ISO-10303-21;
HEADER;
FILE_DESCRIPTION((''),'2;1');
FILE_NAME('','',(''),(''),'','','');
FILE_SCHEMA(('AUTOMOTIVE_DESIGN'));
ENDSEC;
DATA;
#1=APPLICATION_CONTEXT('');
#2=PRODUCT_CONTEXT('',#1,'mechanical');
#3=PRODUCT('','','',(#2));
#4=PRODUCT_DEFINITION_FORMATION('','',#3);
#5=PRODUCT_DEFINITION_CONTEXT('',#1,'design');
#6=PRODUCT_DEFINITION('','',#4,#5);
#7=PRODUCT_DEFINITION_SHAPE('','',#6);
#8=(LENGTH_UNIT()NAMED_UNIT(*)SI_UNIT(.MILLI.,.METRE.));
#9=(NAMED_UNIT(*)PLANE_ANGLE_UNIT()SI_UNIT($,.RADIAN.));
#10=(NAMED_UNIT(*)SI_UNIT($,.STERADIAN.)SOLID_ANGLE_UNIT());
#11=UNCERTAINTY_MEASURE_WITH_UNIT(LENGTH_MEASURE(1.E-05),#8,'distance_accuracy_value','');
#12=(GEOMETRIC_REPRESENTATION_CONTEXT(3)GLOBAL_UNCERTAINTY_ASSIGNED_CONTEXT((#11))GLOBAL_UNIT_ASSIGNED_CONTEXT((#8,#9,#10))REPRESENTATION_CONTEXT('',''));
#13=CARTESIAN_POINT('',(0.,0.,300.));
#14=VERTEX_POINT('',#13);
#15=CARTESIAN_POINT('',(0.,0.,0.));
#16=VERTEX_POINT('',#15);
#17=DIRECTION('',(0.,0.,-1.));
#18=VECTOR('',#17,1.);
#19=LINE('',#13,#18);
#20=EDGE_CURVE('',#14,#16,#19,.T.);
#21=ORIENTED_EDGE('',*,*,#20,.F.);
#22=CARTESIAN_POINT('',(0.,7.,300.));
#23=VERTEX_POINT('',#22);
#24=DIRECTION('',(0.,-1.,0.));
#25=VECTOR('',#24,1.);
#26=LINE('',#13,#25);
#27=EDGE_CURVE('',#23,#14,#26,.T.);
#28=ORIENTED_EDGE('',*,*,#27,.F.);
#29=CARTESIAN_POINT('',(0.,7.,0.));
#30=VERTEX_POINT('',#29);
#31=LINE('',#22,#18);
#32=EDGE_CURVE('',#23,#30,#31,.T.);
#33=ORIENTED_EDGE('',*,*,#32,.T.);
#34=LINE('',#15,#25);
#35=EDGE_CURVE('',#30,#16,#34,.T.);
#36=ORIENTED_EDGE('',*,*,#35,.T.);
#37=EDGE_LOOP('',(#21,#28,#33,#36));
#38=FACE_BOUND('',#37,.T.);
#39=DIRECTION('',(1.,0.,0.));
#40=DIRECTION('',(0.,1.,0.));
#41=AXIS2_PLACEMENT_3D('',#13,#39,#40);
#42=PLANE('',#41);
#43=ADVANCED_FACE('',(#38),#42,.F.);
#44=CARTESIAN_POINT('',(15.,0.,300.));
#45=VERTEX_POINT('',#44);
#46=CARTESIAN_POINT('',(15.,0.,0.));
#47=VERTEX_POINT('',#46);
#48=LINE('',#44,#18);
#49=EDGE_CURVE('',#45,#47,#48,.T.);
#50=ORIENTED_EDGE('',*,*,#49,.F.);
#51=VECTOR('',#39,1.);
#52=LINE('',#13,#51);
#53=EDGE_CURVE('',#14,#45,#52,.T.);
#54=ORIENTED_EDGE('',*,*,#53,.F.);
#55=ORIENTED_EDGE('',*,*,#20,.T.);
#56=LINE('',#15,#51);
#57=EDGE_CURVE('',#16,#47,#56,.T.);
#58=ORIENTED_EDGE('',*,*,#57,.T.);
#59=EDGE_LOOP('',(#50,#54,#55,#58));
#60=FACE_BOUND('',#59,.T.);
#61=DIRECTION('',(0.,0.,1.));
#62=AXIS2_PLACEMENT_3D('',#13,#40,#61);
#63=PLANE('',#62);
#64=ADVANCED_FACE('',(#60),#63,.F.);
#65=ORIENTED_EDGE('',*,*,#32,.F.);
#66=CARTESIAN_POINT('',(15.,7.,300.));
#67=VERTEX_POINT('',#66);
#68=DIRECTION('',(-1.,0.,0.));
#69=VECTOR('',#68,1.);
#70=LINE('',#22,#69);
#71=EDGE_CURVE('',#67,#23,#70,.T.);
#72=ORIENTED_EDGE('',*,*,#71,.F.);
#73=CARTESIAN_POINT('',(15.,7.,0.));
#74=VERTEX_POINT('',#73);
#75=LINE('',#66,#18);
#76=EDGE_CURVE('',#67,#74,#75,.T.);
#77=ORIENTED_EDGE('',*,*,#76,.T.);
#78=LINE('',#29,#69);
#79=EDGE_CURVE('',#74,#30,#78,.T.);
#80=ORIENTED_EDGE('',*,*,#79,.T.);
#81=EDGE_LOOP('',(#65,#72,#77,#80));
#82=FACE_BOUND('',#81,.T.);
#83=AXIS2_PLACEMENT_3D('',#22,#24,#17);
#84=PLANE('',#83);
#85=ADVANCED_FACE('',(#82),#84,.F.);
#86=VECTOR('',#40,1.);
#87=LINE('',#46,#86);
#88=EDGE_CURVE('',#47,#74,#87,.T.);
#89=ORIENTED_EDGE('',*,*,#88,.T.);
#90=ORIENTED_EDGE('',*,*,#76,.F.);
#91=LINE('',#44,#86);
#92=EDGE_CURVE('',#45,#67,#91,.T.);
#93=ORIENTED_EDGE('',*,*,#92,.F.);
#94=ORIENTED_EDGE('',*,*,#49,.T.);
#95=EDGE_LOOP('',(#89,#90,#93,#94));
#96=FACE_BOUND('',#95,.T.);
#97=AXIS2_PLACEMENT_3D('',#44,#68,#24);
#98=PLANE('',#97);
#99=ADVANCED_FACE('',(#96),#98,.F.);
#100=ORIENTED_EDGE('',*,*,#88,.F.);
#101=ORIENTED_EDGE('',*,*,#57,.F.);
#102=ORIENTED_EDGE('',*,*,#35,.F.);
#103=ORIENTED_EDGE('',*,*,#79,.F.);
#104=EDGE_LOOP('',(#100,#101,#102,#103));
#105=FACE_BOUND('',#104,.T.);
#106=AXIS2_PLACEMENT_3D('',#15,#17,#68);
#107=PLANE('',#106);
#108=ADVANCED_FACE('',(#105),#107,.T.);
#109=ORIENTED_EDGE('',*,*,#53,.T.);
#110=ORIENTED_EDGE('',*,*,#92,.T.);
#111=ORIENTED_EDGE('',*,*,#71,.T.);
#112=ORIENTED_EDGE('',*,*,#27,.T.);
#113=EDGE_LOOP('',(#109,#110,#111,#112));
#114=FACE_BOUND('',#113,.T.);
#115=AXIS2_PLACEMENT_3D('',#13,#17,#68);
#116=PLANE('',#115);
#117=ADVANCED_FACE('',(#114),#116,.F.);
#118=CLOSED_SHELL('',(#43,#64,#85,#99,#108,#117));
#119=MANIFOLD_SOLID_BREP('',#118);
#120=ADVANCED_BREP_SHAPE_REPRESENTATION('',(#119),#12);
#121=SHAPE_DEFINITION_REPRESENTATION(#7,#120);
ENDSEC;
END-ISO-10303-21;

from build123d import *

# Parameters (mm, degrees)
SKETCH_1_W      = 15
SKETCH_1_H      = 7
EXTRUDE_1_DEPTH = 300


with BuildPart() as part:
    # 草图1 → 凸台-拉伸1 (new body)
    with BuildSketch(Plane.XY):
        with Locations((7.5, 3.5)):
            Rectangle(SKETCH_1_W, SKETCH_1_H)
    extrude(amount=EXTRUDE_1_DEPTH)


solid = part.part
